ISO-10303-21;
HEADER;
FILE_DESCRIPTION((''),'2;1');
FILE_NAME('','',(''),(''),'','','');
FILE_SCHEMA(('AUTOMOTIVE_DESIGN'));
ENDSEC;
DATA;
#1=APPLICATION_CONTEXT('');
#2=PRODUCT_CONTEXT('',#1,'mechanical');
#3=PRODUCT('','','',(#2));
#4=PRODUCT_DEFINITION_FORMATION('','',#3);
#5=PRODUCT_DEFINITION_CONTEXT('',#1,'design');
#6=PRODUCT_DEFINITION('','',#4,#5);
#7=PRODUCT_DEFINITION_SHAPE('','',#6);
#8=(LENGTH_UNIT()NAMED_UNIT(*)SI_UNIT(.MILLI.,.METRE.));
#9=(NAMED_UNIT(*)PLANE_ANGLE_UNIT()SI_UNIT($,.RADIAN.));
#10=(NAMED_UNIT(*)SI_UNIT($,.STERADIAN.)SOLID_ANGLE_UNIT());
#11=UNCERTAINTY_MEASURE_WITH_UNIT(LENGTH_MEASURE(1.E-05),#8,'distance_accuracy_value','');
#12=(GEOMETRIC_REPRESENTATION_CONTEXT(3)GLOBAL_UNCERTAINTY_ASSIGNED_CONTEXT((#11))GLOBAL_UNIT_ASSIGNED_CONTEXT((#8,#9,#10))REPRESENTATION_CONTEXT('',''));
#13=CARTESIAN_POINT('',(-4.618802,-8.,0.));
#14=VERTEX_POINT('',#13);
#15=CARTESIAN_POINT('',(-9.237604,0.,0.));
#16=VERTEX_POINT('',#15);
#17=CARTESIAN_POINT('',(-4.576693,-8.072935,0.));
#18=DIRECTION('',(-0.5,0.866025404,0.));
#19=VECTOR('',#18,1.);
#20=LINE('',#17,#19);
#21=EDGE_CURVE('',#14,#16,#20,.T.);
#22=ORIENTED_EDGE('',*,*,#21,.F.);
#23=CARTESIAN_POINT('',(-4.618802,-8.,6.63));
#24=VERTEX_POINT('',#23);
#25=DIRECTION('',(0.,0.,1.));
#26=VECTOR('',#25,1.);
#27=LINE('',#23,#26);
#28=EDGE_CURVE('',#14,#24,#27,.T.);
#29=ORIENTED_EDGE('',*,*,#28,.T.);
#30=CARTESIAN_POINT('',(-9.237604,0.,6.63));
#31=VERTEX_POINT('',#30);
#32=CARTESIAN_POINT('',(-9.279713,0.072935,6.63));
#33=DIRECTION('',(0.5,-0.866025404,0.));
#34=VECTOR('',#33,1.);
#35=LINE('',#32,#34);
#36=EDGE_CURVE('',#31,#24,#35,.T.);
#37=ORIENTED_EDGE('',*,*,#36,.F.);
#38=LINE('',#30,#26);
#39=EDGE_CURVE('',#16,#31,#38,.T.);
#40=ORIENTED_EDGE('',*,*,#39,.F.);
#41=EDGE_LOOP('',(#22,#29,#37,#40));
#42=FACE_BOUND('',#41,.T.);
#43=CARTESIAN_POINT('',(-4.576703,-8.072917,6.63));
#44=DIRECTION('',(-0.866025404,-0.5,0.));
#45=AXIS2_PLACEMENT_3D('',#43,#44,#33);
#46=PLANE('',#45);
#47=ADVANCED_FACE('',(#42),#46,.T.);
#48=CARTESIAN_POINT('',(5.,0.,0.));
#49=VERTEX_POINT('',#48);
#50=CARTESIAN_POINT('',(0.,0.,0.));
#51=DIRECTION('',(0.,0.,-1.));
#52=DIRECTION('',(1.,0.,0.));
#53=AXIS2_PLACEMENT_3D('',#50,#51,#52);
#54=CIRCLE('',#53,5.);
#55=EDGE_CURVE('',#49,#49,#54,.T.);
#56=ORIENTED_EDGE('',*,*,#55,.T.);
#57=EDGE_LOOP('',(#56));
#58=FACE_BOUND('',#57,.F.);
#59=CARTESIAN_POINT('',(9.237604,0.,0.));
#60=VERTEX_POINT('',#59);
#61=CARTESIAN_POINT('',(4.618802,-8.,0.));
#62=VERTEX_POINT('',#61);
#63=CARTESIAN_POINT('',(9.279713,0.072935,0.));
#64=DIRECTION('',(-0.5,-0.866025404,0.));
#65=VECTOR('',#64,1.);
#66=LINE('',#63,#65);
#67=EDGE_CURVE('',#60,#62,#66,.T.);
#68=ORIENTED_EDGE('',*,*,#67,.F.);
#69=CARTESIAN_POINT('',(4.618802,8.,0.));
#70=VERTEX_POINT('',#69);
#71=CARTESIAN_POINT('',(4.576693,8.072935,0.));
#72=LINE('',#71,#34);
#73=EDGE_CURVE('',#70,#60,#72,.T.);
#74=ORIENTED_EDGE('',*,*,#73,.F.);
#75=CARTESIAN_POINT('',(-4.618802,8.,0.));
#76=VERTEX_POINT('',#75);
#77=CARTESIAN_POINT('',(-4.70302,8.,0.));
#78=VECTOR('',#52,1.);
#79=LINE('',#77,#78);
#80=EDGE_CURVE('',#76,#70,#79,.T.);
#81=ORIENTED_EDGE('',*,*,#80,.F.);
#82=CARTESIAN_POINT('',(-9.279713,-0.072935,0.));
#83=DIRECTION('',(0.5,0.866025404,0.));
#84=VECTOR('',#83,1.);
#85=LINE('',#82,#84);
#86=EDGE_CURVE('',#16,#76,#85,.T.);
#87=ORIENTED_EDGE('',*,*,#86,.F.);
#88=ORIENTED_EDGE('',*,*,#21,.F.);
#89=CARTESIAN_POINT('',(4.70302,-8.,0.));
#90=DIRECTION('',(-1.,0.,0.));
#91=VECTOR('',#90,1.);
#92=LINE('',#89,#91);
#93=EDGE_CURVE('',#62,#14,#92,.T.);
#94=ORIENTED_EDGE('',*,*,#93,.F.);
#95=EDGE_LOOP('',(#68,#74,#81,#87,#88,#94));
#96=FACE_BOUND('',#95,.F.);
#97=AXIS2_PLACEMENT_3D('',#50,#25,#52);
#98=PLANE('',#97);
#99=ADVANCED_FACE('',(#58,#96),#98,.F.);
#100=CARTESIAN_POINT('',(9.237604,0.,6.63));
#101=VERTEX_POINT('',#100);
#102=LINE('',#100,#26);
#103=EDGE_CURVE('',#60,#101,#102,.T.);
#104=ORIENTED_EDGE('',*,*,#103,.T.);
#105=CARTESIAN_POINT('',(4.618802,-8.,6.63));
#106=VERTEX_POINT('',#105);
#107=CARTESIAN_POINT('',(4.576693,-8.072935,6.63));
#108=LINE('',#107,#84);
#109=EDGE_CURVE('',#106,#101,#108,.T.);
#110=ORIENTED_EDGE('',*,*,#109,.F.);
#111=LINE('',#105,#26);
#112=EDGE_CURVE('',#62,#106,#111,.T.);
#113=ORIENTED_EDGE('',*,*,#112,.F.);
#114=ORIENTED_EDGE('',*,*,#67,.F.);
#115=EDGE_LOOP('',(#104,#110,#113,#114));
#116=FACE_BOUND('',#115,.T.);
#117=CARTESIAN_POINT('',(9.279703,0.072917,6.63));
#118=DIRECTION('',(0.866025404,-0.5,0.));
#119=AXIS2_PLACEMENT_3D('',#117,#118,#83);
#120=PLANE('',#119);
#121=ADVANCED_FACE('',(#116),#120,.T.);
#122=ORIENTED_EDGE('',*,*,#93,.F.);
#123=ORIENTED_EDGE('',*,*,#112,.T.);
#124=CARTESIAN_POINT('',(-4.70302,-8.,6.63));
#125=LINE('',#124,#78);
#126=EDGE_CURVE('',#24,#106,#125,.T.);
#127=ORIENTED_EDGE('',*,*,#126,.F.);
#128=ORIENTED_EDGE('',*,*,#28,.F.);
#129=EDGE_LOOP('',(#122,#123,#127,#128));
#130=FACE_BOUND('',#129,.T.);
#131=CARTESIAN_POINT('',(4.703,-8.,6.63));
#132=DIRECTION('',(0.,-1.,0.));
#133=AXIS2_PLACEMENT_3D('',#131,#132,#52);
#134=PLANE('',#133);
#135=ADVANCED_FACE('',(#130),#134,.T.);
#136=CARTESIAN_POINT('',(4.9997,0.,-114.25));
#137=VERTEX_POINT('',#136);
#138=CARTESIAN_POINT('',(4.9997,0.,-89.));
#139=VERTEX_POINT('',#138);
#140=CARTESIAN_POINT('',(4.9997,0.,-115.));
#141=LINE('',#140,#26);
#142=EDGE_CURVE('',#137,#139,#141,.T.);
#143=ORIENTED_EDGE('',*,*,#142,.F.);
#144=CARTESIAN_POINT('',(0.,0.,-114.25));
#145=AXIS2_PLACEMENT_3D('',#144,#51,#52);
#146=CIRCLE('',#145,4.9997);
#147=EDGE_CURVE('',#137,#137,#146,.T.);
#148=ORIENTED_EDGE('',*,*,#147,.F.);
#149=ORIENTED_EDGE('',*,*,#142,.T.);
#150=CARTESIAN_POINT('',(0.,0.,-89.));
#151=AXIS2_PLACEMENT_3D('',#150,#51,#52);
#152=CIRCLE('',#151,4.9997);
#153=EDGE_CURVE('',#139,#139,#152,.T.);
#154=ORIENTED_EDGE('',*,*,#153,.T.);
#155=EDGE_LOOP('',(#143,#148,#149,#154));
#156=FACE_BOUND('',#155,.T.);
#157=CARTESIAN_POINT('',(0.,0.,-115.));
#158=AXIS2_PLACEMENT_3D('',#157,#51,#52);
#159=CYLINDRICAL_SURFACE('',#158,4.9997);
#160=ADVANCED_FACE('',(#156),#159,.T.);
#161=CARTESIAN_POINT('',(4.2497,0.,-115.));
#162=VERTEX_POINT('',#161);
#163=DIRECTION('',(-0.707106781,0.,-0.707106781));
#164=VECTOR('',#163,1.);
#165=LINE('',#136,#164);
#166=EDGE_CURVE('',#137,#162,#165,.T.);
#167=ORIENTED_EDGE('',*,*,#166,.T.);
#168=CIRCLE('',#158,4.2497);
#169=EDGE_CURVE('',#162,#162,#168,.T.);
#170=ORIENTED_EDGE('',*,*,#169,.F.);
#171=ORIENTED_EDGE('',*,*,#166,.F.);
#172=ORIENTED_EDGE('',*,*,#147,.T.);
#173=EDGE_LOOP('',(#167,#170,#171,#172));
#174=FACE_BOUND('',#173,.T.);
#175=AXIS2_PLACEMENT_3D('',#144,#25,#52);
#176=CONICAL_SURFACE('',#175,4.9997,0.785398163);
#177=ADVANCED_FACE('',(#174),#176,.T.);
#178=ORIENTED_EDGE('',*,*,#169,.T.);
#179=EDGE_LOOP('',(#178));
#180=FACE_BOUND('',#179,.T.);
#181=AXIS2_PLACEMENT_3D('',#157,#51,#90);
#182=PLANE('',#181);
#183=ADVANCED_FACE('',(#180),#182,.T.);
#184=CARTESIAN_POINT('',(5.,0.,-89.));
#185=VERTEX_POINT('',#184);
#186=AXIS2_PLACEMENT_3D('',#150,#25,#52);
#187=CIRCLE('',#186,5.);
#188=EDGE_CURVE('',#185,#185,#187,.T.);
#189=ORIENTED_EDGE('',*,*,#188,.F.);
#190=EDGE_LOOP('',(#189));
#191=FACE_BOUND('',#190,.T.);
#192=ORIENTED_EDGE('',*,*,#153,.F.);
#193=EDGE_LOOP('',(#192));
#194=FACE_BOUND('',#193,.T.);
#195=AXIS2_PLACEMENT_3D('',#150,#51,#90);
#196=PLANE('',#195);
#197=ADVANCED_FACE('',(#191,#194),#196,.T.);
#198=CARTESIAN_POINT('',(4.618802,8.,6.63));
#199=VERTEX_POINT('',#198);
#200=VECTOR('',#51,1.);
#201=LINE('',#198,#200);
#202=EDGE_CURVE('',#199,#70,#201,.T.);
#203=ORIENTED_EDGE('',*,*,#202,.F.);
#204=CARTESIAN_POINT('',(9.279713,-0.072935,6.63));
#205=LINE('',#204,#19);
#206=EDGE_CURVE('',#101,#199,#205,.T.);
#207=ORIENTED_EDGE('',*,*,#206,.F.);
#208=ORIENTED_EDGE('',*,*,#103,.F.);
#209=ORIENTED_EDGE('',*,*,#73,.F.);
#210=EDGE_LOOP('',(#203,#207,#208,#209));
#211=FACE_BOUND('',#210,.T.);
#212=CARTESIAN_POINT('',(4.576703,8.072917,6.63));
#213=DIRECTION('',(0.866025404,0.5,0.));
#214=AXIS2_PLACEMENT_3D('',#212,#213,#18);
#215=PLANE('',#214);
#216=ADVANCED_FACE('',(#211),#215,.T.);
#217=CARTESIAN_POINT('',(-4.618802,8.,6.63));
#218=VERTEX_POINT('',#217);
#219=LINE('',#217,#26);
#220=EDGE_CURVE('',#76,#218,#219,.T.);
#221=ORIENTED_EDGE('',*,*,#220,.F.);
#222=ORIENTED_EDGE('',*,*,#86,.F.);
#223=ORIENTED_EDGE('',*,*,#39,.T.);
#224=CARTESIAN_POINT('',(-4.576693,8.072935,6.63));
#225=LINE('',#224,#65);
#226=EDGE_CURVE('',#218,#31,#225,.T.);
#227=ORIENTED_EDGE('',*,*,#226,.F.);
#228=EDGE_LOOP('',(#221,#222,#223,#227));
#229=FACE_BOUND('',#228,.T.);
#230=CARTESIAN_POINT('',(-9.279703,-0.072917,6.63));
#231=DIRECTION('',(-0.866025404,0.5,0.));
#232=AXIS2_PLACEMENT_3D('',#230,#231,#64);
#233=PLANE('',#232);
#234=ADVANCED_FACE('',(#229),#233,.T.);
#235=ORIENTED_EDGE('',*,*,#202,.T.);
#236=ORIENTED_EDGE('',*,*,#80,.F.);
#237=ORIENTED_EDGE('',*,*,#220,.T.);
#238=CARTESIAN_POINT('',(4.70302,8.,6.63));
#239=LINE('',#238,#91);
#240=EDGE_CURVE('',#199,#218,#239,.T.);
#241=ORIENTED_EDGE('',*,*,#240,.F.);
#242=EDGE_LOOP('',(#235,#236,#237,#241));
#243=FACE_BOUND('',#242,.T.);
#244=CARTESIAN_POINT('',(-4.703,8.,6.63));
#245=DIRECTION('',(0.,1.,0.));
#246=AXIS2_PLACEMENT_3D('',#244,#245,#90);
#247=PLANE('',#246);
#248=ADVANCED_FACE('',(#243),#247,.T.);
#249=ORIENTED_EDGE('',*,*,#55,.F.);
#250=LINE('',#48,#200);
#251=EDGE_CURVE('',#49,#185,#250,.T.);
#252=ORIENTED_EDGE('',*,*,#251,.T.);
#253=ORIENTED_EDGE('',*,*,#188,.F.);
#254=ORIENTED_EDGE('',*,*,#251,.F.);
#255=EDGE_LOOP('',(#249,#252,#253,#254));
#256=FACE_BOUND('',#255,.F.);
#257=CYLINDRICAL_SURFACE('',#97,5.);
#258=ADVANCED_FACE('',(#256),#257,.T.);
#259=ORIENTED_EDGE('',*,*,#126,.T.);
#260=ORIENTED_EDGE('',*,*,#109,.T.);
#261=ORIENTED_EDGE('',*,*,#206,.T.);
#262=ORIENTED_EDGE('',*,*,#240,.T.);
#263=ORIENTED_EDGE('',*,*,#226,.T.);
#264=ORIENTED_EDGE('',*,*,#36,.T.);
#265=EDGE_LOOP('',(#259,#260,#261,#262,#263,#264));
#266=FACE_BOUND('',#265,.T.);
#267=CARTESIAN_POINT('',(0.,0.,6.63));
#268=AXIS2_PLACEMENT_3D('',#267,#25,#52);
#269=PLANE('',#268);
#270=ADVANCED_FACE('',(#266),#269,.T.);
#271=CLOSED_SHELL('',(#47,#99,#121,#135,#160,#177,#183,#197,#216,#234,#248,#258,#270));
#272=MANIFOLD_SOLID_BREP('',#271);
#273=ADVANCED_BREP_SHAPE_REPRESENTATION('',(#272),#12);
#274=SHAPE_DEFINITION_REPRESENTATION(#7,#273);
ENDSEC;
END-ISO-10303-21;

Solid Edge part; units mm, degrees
sketch "Sketch1" plane through (0, 0, 0) normal (0, 0, 1) x (1, 0, 0)
  circle A0 centre (0, 0) radius 9.28
  dimension "D1" = 18.56
extrude "Protrusion1" add sketch "Sketch1" along normal blind 6.63
sketch "Sketch2" plane through (0, 0, 0) normal (0, 0, -1) x (1, 0, 0)
  circle A0 centre (0, 0) radius 5
extrude "Protrusion2" add sketch "Sketch2" along normal blind 115
sketch "Sketch3" plane through (0, 0, -115) normal (0, 0, -1) x (1, 0, 0)
  circle A0 centre (0, 0) radius 4.9997
extrude "Cutout1" cut sketch "Sketch3" against normal blind 26 flip side to cut
chamfer "Chamfer_1" distance 0.75 angle 45 1 edges at (-4.9997, 0, -115)
sketch "Sketch4" plane through (0, 0, 6.63) normal (0, 0, 1) x (1, 0, 0)
  line L0 (-4.703, 8) -> (4.703, 8)
  dimension "D1" = 16
extrude "Cutout2" cut sketch "Sketch4" against normal up to next material side at (0, 8.05, 6.63)
pattern_circular "Pattern1" count 6 over 360 about axis through (0, 0, 6.63) along (0, 0, 1) of "Cutout2"
properties part number "185542"
